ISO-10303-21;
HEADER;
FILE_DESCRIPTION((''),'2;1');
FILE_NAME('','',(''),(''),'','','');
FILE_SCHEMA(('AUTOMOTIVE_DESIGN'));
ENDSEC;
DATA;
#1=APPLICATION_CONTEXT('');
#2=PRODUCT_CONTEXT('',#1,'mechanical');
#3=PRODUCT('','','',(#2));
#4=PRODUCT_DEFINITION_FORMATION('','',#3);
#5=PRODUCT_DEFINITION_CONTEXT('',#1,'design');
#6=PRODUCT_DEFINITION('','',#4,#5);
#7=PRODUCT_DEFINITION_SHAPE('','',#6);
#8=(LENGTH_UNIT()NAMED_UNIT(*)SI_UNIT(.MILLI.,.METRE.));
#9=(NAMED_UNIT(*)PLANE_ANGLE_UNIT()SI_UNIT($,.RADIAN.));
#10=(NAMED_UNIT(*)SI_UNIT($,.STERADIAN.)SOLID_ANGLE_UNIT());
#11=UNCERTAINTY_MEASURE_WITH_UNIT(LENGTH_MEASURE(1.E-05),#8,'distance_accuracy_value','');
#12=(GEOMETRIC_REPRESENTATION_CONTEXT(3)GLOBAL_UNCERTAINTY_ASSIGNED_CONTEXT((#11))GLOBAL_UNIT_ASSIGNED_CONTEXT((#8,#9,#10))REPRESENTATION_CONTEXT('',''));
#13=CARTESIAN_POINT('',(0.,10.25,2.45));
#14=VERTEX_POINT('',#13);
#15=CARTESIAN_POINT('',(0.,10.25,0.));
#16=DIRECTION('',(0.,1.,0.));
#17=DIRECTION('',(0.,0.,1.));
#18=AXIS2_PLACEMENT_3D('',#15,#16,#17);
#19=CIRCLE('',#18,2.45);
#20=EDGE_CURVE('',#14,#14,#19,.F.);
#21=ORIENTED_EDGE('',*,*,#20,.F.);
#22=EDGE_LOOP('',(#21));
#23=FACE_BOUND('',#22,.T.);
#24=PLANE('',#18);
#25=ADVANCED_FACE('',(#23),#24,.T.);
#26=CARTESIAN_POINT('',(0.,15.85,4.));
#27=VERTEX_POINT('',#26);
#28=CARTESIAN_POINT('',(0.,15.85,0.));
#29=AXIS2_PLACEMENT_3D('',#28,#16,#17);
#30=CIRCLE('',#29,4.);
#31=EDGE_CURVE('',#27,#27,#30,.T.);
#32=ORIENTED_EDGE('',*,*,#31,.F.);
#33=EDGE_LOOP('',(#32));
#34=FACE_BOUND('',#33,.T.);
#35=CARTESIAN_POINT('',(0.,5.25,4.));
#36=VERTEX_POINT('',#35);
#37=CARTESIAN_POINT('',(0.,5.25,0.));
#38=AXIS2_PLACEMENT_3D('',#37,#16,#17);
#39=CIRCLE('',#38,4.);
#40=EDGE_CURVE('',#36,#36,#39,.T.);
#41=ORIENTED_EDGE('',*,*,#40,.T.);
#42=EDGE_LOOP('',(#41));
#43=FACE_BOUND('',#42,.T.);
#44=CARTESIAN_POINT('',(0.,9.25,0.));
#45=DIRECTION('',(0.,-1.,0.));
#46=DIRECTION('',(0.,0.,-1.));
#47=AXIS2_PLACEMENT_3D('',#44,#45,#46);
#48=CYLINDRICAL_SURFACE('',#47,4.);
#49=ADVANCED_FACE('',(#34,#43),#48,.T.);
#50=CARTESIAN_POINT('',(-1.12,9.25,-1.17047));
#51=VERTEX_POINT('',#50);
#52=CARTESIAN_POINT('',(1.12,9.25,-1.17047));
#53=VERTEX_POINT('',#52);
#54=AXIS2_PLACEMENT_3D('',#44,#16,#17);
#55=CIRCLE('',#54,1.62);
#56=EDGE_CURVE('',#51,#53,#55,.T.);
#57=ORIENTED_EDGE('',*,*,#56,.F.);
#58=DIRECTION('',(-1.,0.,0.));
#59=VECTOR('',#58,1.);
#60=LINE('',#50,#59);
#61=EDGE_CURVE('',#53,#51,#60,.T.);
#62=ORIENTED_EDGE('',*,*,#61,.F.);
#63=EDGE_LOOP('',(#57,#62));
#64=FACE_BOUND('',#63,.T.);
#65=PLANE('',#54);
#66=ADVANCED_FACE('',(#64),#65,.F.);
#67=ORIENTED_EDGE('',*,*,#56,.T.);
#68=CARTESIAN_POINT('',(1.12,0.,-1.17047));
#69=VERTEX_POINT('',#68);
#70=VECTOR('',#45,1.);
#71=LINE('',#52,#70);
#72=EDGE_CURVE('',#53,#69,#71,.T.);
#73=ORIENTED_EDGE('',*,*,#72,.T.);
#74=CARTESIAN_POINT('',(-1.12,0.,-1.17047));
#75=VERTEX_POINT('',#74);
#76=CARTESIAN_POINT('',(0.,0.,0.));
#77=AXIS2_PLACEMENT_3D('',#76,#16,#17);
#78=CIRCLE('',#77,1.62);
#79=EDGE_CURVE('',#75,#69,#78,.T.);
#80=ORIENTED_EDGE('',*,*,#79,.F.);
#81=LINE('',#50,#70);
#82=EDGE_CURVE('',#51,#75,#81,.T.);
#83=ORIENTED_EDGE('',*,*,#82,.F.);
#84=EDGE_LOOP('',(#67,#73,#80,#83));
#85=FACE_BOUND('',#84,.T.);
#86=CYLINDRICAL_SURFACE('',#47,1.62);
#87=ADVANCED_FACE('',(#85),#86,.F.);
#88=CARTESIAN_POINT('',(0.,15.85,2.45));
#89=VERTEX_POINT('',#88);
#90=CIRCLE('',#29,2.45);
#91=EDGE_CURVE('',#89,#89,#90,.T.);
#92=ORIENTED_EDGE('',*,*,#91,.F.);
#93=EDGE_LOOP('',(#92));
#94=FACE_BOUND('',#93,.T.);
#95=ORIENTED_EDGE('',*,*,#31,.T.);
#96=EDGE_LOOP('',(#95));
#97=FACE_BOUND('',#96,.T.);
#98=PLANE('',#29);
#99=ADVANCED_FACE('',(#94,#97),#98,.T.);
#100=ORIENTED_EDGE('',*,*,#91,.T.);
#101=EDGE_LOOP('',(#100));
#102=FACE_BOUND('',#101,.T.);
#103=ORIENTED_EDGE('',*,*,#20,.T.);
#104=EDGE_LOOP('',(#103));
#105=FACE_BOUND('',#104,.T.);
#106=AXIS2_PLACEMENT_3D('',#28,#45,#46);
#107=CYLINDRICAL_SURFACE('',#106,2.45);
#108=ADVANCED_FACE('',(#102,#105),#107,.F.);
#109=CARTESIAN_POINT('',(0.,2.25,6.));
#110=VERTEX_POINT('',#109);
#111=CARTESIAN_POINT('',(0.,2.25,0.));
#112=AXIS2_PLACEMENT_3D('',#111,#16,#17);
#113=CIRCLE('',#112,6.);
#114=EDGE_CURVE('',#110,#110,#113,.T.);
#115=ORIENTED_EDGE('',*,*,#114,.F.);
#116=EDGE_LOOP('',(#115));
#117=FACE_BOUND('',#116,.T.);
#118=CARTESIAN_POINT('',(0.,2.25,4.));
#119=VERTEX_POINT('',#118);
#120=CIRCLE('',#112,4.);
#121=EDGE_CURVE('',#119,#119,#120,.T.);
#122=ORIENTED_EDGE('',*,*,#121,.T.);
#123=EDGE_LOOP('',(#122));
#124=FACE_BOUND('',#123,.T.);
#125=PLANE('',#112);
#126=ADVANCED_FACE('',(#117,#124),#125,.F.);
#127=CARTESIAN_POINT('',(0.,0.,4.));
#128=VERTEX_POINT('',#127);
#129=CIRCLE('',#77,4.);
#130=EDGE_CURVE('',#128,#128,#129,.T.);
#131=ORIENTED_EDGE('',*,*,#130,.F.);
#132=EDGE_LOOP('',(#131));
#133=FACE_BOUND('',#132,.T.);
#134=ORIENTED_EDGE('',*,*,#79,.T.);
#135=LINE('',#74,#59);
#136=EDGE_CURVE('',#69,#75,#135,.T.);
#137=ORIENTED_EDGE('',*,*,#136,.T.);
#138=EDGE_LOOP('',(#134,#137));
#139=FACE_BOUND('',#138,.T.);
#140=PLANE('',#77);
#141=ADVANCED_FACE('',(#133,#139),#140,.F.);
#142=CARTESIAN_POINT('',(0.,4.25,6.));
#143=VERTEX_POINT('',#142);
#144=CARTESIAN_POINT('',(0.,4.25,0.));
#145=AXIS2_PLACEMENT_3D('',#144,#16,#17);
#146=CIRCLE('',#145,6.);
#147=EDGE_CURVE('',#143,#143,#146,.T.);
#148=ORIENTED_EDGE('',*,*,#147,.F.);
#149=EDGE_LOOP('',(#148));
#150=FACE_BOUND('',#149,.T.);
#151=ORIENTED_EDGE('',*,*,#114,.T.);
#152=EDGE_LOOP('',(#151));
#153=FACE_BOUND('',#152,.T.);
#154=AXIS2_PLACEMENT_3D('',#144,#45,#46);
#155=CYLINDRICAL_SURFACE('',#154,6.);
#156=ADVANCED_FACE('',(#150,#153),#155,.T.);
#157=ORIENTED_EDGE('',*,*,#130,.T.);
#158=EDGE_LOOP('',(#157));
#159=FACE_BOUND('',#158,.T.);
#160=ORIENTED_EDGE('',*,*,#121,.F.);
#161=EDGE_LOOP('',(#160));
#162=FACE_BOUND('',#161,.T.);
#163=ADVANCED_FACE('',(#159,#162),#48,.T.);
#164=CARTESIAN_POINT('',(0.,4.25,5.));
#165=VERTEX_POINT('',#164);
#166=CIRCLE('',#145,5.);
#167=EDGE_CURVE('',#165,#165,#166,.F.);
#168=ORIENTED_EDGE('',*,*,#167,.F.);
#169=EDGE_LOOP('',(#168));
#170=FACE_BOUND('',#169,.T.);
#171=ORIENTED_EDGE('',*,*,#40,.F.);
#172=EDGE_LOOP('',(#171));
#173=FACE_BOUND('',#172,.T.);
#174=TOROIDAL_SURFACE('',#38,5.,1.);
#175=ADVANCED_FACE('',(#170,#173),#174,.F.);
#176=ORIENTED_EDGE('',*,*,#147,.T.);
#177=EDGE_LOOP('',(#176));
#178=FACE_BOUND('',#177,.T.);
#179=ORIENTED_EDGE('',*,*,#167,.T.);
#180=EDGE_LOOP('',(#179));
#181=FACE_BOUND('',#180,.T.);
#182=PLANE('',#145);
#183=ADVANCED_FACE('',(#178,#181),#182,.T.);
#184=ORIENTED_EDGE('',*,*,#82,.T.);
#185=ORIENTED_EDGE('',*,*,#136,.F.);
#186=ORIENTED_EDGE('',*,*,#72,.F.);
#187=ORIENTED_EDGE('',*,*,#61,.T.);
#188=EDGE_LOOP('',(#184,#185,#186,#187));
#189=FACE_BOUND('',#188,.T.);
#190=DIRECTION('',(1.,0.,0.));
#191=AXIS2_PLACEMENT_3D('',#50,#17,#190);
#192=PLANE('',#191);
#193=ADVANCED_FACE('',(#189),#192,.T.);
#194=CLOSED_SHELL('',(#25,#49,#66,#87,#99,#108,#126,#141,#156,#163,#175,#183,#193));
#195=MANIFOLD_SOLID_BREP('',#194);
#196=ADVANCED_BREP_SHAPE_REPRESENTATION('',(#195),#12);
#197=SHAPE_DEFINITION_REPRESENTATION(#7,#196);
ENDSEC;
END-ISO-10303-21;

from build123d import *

# Parameters (mm, degrees)
SKETCH1_R           = 4
BOSS_EXTRUDE1_DEPTH = 9.25
SKETCH2_R           = 4
BOSS_EXTRUDE2_DEPTH = 1
SKETCH3_R           = 4
SKETCH3_R_2         = 2.45
BOSS_EXTRUDE3_DEPTH = 5.6
SKETCH5_R           = 6
BOSS_EXTRUDE4_DEPTH = 2
FILLET1_R           = 1


with BuildPart() as part:
    # Sketch1 → Boss-Extrude1 (new body)
    with BuildSketch(Plane(origin=(0, 0, 0), x_dir=(1, 0, 0), z_dir=(0, 1, 0))):
        Circle(SKETCH1_R)
        with BuildLine():
            Line((-1.12, 1.170469991), (1.12, 1.170469991))
            ThreePointArc((1.12, 1.170469991), (0, -1.62), (-1.12, 1.170469991))
        make_face(mode=Mode.SUBTRACT)
    extrude(amount=BOSS_EXTRUDE1_DEPTH)

    # Sketch2 → Boss-Extrude2 (add)
    with BuildSketch(Plane(origin=(0, 9.25, 0), x_dir=(1, 0, 0), z_dir=(0, 1, 0))):
        Circle(SKETCH2_R)
    extrude(amount=BOSS_EXTRUDE2_DEPTH)

    # Sketch3 → Boss-Extrude3 (add)
    with BuildSketch(Plane(origin=(0, 10.25, 0), x_dir=(1, 0, 0), z_dir=(0, 1, 0))):
        Circle(SKETCH3_R)
        Circle(SKETCH3_R_2, mode=Mode.SUBTRACT)
    extrude(amount=BOSS_EXTRUDE3_DEPTH)

    # Sketch5 → Boss-Extrude4 (add)
    with BuildSketch(Plane(origin=(0, 2.25, 0), x_dir=(1, 0, 0), z_dir=(0, 1, 0))):
        Circle(SKETCH5_R)
        with BuildLine():
            Line((1.12, 1.170469991), (-1.12, 1.170469991))
            ThreePointArc((-1.12, 1.170469991), (0, -1.62), (1.12, 1.170469991))
        make_face(mode=Mode.SUBTRACT)
    extrude(amount=BOSS_EXTRUDE4_DEPTH)

    # Fillet1
    fillet1_edges = [part.edges().sort_by_distance(p)[0] for p in [
        (-4, 4.25, 0),
    ]]
    fillet(fillet1_edges, radius=FILLET1_R)


solid = part.part
